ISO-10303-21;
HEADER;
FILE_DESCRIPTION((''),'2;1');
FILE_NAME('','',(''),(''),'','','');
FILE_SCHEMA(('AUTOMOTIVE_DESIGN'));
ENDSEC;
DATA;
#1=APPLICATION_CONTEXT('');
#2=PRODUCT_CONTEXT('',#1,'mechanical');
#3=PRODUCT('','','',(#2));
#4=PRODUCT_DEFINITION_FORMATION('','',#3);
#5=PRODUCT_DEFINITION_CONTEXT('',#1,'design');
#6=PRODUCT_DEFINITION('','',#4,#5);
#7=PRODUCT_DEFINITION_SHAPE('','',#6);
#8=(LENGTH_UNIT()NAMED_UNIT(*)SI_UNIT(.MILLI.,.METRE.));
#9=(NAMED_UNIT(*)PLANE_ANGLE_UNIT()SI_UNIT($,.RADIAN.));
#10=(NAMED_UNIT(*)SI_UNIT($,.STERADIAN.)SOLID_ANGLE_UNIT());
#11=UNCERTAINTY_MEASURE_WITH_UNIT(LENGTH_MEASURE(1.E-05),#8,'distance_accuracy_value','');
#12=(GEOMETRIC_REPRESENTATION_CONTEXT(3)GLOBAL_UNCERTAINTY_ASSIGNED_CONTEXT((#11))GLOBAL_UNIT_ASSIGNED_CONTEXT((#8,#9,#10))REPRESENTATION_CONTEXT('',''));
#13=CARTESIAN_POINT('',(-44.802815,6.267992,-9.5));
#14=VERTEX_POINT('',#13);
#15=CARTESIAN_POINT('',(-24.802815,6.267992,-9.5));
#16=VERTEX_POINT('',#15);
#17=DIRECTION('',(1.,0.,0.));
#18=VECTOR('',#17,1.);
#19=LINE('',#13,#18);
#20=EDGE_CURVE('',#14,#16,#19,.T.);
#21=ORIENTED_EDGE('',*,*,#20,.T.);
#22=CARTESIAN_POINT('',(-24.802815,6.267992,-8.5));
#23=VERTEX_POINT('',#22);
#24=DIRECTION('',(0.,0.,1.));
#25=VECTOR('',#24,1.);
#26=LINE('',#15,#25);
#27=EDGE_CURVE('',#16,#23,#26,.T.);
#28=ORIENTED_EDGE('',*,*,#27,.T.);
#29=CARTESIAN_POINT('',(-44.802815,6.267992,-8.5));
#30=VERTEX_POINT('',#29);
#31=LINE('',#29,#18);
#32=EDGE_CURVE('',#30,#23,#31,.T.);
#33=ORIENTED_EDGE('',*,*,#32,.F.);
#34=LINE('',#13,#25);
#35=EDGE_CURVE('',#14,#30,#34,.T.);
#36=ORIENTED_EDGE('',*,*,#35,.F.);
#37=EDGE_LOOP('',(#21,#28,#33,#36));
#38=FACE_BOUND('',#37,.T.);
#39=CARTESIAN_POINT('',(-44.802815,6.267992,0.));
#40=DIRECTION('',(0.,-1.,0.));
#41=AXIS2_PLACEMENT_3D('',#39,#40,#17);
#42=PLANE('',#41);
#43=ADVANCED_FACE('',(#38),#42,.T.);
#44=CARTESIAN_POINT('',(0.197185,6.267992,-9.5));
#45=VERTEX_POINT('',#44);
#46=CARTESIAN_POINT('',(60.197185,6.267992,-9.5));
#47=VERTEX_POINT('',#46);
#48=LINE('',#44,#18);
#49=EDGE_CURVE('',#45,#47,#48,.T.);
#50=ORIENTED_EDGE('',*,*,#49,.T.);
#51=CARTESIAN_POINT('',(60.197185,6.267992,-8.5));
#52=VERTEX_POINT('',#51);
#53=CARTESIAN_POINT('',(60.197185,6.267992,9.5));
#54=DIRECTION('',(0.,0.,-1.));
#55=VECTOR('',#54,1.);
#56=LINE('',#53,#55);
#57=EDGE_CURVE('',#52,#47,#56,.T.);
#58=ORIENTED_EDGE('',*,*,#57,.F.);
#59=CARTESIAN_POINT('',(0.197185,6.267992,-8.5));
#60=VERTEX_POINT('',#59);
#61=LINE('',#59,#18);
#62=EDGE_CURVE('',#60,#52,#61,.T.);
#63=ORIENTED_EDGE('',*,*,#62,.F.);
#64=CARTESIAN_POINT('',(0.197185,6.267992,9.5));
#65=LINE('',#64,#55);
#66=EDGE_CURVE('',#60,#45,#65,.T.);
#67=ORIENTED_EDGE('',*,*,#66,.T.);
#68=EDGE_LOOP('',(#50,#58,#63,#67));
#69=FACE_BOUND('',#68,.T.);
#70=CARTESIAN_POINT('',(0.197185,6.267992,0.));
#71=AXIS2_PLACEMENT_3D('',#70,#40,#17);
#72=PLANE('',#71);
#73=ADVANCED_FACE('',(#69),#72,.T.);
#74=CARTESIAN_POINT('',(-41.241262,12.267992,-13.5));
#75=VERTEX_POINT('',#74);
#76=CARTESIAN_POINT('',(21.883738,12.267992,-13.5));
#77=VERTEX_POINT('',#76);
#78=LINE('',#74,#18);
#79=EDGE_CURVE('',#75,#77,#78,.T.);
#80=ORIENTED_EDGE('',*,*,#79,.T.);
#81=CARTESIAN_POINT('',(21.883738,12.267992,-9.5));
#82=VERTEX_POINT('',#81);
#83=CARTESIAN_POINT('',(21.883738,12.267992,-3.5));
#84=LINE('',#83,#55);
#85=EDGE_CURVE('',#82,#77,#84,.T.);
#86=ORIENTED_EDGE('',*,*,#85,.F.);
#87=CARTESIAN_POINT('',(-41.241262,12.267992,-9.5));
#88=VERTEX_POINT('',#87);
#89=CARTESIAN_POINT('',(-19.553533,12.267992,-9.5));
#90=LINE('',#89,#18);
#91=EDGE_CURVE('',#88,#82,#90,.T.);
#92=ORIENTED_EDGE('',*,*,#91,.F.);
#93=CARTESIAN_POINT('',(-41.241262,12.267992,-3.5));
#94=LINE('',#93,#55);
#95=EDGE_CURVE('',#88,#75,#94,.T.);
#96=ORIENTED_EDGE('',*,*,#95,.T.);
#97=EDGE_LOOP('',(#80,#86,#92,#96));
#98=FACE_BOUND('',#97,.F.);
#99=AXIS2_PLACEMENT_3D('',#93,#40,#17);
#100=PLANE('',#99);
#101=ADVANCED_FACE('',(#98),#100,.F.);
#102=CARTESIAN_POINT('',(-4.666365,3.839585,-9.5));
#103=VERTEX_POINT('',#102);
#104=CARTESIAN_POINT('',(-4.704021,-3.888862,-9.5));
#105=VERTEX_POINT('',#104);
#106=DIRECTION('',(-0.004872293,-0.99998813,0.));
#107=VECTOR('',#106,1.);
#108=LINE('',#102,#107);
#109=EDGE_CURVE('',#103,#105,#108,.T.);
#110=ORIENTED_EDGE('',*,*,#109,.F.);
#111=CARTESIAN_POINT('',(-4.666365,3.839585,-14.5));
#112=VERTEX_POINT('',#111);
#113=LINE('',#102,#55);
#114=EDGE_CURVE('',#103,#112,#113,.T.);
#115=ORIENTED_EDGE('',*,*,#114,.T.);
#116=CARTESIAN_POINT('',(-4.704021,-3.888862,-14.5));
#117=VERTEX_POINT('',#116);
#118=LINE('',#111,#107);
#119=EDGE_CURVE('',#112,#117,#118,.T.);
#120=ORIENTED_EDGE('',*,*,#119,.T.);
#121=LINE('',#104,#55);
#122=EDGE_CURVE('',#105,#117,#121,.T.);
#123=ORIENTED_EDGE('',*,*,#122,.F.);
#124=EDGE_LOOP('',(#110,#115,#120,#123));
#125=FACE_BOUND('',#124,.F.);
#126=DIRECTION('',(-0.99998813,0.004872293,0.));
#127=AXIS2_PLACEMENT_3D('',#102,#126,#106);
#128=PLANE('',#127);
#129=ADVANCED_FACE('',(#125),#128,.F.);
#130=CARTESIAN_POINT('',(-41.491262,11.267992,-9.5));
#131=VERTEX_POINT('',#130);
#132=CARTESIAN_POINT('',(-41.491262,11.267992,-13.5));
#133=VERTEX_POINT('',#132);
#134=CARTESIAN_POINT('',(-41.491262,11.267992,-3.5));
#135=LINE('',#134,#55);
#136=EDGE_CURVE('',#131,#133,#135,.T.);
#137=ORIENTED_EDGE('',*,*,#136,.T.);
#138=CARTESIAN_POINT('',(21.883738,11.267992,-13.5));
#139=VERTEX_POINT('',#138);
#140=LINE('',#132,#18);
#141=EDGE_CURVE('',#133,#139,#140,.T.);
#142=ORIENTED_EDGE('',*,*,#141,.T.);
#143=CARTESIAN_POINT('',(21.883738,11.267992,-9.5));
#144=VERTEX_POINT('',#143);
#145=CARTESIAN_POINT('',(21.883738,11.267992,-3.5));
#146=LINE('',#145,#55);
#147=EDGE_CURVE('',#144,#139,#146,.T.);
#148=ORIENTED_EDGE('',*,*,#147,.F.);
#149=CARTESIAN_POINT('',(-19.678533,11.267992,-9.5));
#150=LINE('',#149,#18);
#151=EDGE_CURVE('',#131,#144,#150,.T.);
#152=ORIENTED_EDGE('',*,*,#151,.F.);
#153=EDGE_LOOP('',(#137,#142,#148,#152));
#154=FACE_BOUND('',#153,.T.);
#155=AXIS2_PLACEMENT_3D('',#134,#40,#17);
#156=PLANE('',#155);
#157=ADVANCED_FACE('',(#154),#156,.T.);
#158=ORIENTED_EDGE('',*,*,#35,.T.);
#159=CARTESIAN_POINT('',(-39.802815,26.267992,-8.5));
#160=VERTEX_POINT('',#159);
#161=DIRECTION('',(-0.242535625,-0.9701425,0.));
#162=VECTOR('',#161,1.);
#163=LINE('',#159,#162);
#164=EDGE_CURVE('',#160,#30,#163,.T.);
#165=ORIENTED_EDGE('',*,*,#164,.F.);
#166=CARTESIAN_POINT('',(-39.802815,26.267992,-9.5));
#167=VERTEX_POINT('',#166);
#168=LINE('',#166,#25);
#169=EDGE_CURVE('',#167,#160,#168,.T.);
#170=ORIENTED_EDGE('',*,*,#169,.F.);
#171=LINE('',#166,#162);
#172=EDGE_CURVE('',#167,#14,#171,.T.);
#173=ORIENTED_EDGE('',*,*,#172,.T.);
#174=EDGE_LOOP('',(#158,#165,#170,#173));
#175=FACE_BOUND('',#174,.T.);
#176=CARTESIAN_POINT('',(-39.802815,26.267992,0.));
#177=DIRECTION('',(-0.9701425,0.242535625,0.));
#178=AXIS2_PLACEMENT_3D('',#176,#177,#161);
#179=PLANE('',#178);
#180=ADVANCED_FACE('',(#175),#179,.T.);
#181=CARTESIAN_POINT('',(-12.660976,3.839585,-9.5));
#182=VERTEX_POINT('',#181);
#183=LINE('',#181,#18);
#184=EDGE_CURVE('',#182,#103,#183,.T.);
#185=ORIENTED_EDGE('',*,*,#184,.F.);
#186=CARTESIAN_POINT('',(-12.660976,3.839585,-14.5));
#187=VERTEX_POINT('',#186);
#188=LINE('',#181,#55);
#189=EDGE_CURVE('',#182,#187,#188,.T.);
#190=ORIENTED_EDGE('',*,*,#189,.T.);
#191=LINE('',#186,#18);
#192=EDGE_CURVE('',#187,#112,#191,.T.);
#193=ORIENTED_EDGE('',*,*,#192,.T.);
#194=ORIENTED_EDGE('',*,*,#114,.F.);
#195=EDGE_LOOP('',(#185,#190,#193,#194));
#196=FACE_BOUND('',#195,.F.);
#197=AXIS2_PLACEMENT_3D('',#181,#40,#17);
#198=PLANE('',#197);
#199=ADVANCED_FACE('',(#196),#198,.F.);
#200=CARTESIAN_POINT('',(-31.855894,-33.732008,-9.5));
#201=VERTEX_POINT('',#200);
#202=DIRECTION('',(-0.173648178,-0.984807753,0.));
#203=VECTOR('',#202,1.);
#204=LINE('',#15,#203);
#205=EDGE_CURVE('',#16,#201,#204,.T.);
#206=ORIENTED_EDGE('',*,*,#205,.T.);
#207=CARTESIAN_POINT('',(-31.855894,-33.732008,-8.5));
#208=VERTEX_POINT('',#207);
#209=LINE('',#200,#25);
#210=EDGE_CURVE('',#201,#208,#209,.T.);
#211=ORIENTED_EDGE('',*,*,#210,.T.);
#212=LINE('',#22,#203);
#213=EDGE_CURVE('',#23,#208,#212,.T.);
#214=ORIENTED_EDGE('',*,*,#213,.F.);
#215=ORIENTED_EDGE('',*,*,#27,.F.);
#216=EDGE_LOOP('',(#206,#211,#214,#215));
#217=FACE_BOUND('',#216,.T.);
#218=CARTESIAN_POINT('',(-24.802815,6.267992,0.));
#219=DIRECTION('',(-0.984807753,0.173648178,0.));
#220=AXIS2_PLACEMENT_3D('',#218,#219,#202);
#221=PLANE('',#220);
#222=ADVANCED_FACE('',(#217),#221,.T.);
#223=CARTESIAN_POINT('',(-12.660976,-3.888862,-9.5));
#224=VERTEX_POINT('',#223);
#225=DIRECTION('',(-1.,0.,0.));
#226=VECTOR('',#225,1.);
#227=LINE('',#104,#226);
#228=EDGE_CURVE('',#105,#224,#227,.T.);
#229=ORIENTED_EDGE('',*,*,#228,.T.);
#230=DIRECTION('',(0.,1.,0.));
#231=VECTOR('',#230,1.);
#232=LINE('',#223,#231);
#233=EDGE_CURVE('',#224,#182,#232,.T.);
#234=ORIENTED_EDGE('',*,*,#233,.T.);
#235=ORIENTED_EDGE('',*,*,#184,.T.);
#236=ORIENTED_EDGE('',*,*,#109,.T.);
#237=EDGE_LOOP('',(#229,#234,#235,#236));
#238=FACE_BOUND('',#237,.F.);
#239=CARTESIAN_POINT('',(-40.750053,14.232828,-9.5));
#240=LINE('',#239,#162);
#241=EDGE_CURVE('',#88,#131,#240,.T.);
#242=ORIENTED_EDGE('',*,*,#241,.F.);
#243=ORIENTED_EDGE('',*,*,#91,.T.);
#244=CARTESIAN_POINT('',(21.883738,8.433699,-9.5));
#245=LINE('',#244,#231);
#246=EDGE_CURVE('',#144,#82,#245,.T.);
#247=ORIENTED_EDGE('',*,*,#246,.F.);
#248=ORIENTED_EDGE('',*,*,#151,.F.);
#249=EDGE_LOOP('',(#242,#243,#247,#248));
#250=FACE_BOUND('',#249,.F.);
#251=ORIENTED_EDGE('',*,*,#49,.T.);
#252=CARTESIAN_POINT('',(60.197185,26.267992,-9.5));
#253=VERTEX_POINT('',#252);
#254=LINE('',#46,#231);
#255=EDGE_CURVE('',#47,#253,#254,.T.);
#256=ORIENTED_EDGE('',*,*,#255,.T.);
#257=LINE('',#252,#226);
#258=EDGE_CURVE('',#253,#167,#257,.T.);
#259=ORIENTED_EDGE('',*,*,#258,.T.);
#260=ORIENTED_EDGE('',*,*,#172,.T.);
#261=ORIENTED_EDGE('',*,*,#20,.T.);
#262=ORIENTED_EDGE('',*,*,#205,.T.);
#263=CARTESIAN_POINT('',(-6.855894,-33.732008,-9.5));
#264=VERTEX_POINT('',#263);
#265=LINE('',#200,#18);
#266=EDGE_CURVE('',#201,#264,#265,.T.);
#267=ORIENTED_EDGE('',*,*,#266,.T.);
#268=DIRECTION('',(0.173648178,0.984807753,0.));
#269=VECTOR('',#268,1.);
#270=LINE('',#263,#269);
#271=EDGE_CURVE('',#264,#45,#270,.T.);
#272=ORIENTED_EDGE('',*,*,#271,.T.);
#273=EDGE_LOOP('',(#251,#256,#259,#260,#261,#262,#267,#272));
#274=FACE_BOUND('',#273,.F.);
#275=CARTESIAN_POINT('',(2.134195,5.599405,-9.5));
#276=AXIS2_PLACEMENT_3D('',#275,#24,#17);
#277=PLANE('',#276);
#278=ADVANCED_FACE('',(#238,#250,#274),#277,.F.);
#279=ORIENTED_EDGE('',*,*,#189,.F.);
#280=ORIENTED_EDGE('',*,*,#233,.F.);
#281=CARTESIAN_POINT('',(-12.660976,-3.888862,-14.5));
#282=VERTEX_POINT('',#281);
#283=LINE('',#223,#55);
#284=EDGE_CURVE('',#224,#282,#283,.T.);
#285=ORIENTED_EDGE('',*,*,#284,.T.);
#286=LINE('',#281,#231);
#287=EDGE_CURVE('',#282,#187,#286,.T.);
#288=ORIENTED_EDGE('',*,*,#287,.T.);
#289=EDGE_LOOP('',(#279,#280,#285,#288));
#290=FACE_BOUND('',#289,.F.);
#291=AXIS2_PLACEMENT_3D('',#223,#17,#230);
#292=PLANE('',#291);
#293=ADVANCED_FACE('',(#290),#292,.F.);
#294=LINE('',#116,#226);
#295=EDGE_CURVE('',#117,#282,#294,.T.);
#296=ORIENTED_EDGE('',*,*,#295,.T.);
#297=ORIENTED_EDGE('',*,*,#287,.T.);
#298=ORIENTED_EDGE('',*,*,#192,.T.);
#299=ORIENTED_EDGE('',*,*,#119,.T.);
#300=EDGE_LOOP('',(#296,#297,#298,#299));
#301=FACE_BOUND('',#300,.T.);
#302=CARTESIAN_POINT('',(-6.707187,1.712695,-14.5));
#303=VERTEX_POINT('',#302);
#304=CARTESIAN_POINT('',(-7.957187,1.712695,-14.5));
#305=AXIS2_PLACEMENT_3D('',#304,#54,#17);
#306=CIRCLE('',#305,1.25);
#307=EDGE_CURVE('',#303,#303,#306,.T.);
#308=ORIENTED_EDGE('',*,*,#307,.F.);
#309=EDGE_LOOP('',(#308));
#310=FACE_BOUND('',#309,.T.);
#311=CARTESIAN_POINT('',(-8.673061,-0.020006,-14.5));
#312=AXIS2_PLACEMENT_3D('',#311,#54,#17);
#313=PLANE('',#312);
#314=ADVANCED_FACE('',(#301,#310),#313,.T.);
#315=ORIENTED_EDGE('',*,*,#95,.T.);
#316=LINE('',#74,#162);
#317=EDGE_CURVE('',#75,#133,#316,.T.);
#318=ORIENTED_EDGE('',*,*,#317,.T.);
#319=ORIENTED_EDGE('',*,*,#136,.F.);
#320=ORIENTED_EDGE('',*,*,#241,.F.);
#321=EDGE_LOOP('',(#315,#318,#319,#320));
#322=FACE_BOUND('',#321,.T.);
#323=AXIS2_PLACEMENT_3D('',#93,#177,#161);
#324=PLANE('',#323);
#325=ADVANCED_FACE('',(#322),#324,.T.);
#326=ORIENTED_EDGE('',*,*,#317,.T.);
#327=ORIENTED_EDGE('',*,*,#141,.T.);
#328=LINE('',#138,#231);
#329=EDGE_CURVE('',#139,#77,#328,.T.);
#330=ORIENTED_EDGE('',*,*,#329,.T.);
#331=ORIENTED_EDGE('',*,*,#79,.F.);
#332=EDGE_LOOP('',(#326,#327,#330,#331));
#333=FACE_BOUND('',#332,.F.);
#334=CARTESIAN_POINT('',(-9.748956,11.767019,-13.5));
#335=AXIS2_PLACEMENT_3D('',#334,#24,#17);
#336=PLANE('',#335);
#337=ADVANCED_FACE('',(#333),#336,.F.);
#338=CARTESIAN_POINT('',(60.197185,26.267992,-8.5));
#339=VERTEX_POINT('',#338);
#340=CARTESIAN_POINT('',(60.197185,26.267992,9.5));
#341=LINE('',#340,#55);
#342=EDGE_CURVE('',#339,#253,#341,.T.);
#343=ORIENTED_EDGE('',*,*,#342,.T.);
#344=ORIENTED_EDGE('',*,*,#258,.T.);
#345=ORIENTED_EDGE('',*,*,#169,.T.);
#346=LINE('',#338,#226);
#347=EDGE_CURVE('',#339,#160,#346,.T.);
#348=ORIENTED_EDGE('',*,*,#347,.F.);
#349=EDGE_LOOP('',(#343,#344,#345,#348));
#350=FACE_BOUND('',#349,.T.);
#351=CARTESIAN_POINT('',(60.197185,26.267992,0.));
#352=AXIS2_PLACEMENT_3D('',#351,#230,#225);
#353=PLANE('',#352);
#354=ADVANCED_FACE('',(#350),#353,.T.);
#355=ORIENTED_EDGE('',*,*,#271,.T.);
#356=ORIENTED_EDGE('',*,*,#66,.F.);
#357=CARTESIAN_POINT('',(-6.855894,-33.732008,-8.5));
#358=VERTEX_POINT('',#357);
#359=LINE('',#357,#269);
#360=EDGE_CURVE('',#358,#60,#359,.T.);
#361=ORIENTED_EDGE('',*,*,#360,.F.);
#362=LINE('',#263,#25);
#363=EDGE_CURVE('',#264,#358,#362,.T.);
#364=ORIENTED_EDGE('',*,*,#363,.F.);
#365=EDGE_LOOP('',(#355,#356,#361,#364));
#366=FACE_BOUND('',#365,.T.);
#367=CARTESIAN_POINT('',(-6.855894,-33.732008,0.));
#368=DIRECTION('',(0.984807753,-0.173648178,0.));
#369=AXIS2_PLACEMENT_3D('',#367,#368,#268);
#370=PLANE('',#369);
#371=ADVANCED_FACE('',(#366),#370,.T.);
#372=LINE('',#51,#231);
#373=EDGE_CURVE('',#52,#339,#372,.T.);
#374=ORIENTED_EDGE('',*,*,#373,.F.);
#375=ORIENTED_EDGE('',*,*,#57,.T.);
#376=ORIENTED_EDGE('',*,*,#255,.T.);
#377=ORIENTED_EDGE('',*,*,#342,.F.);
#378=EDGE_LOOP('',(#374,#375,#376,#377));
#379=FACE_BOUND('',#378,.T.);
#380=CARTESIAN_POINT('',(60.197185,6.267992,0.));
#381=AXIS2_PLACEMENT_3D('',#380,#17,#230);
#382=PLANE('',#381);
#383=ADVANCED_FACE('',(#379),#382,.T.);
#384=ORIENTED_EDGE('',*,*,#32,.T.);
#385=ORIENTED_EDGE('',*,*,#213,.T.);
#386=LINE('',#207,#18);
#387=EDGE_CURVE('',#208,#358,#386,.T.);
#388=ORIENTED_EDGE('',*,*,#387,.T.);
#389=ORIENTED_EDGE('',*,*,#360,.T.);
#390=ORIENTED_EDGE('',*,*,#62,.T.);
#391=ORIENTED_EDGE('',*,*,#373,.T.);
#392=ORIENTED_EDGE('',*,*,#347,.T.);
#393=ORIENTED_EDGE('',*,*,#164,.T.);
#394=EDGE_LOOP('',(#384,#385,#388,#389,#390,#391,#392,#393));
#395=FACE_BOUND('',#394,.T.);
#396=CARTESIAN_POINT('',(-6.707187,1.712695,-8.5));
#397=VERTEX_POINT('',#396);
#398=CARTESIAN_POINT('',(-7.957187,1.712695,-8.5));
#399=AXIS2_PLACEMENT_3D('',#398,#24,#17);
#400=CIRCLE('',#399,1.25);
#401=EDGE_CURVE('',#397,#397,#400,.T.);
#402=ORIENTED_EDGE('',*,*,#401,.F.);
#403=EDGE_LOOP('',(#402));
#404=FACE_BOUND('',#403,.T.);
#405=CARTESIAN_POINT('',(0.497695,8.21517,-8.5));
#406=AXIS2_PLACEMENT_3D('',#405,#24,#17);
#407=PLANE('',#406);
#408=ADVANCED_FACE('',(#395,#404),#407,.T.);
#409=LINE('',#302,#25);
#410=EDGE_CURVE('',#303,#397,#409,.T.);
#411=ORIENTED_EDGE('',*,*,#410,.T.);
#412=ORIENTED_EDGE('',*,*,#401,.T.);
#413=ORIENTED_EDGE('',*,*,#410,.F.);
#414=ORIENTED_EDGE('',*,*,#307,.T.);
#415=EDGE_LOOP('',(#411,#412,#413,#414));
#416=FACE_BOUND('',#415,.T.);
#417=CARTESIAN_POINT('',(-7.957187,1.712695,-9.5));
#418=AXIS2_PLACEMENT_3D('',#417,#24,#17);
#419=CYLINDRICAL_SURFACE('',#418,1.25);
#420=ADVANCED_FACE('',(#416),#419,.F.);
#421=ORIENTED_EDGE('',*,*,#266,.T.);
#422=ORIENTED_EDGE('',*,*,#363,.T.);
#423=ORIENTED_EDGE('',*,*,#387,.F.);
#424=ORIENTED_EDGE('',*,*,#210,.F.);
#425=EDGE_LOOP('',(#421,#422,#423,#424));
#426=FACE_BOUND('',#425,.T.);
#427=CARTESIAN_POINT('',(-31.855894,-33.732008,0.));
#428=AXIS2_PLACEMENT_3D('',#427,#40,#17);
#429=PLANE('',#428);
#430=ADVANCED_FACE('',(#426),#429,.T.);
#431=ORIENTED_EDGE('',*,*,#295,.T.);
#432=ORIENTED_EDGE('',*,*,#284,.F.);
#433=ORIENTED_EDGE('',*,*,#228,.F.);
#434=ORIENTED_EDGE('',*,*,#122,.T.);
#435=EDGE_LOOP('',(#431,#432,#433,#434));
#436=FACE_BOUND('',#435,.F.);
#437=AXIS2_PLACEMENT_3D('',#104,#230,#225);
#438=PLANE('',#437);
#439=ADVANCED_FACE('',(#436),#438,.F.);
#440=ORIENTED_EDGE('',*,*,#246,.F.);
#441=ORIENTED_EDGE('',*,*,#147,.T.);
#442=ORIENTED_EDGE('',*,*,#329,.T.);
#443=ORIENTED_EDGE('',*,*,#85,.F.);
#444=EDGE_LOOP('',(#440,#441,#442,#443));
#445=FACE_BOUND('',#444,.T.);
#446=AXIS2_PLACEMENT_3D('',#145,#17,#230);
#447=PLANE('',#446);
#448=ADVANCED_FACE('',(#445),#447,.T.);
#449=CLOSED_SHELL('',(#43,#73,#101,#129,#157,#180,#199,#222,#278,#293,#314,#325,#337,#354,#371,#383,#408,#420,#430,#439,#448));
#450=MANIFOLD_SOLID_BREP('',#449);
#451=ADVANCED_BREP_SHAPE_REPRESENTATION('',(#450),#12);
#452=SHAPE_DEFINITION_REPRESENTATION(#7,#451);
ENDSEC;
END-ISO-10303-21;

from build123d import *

# Parameters (mm, degrees)
F1_DEPTH  = 9.5
F3_DEPTH  = 18
F4_R      = 4.5
F5_DEPTH  = 40
F7_DEPTH  = 1
F9_DEPTH  = 5
F8_W      = 1
F8_H      = 3
F10_DEPTH = 18
F11_DEPTH = 18
F12_R     = 1
F13_DEPTH = 6.9
F15_DEPTH = 3
F16_R     = 1.25
F17_DEPTH = 5
F18_DEPTH = 18
F19_DEPTH = 10
F20_DEPTH = 5
F21_R     = 1.25
F22_DEPTH = 5


with BuildPart() as f1:
    # F0 (on Top) → F1 (new body, symmetric)
    with BuildSketch(Plane.XY):
        Polygon((60.1971853051, 26.2679918303), (-39.8028146949, 26.2679918303), (-44.8028146949, 6.2679918303), (-24.8028146949, 6.2679918303), (-31.8558939232, -33.7320081697), (-6.8558939232, -33.7320081697), (0.1971853051, 6.2679918303), (60.1971853051, 6.2679918303), align=None)
    extrude(amount=F1_DEPTH, both=True)

    # F2 (on face) → F3 (cut)
    with BuildSketch(Plane.XY.offset(9.5)):
        Polygon((21.8837381179, 24.7679918303), (-38.1162618821, 24.7679918303), (-42.2412618821, 8.2679918303), (-22.4193075097, 8.2679918303), (-27.2986237894, -19.4039858791), (-6.3603302369, -19.4039858791), (-1.8336679186, 6.2679918303), (-17.4193075097, 6.2679918303), (-17.4193075097, 8.2679918303), (56.8837381179, 8.2679918303), (56.8837381179, 11.2679918303), (21.8837381179, 11.2679918303), align=None)
    extrude(amount=-F3_DEPTH, mode=Mode.SUBTRACT)

    # F4 (on face) → F5 (cut)
    with BuildSketch(Plane.YZ.offset(60.1971853051)):
        with Locations((19.7679918303, 0)):
            Circle(F4_R)
    extrude(amount=-F5_DEPTH, mode=Mode.SUBTRACT)

    # F6 (on Top) → F7 (cut, symmetric)
    with BuildSketch(Plane.XY):
        Polygon((21.808039397, 22.0530666411), (21.808039397, 29.0336320457), (-29.6180322766, 28.4013450146), (-29.6180322766, 22.0530666411), align=None)
    extrude(amount=F7_DEPTH, both=True, mode=Mode.SUBTRACT)

    # F8 (on face) → F9 (join)
    with BuildSketch(Plane.XY.offset(-8.5)):
        Polygon((-41.4912618821, 11.2679918303), (21.8837381179, 11.2679918303), (21.8837381179, 12.2679918303), (20.8837381179, 12.2679918303), (-41.2412618821, 12.2679918303), align=None)
    extrude(amount=F9_DEPTH)

    # F8 (on face) → F10 (join, through all)
    with BuildSketch(Plane.XY.offset(-8.5)):
        with Locations((21.3837381179, 23.2679918303)):
            Rectangle(F8_W, F8_H)
    extrude(amount=F10_DEPTH)

    # F8 (on face) → F11 (join, through all)
    with BuildSketch(Plane.XY.offset(-8.5)):
        with Locations((21.3837381179, 13.7679918303)):
            Rectangle(F8_W, F8_H)
    extrude(amount=F11_DEPTH)

    # F12 (on face) → F13 (cut)
    with BuildSketch(Plane.XZ.offset(-6.2679918303)):
        with Locations((52.1971853051, 0)):
            Circle(F12_R)
    extrude(amount=-F13_DEPTH, mode=Mode.SUBTRACT)

    # F14 (on Top) → F15 (cut, symmetric)
    with BuildSketch(Plane.XY):
        Polygon((7.0393216934, 1.2679918303), (-9.7211528242, 1.2679918303), (-8.9475925263, -10.7320081697), (7.0393216934, -10.7320081697), align=None)
    extrude(amount=F15_DEPTH, both=True, mode=Mode.SUBTRACT)

    # F16 (on face) → F17 (cut)
    with BuildSketch(Plane.XY.offset(-8.5)):
        with Locations((-7.9571865499, 1.7126952298)):
            Circle(F16_R)
    extrude(amount=-F17_DEPTH, mode=Mode.SUBTRACT)

    # F18 (cut): a face of the model
    f18_faces = [f1.faces().sort_by_distance(p)[0] for p in [
        (30.1971853051, 7.4773304926, 9.5),
    ]]
    extrude(f18_faces, amount=-F18_DEPTH, mode=Mode.SUBTRACT)

    # F19 (add): a face of the model
    f19_faces = [f1.faces().sort_by_distance(p)[0] for p in [
        (-9.7413030547, 11.7676624495, -3.5),
    ]]
    extrude(f19_faces, amount=-F19_DEPTH)

    # F20 (cut): a face of the model
    f20_faces = [f1.faces().sort_by_distance(p)[0] for p in [
        (-9.7413030547, 11.7676624495, -3.5),
    ]]
    extrude(f20_faces, amount=-F20_DEPTH, mode=Mode.SUBTRACT)

    # F21 (on face) → F22 (join)
    with BuildSketch(Plane(origin=(0, 0, -9.5), x_dir=(1, 0, 0), z_dir=(0, 0, -1))):
        Polygon((-12.660975568, -3.839584766), (-4.6663652174, -3.839584766), (-4.7040209174, 3.888861509), (-12.660975568, 3.888861509), align=None)
        with Locations((-7.9571865499, -1.7126952298)):
            Circle(F21_R, mode=Mode.SUBTRACT)
    extrude(amount=F22_DEPTH)


solid = f1.part
